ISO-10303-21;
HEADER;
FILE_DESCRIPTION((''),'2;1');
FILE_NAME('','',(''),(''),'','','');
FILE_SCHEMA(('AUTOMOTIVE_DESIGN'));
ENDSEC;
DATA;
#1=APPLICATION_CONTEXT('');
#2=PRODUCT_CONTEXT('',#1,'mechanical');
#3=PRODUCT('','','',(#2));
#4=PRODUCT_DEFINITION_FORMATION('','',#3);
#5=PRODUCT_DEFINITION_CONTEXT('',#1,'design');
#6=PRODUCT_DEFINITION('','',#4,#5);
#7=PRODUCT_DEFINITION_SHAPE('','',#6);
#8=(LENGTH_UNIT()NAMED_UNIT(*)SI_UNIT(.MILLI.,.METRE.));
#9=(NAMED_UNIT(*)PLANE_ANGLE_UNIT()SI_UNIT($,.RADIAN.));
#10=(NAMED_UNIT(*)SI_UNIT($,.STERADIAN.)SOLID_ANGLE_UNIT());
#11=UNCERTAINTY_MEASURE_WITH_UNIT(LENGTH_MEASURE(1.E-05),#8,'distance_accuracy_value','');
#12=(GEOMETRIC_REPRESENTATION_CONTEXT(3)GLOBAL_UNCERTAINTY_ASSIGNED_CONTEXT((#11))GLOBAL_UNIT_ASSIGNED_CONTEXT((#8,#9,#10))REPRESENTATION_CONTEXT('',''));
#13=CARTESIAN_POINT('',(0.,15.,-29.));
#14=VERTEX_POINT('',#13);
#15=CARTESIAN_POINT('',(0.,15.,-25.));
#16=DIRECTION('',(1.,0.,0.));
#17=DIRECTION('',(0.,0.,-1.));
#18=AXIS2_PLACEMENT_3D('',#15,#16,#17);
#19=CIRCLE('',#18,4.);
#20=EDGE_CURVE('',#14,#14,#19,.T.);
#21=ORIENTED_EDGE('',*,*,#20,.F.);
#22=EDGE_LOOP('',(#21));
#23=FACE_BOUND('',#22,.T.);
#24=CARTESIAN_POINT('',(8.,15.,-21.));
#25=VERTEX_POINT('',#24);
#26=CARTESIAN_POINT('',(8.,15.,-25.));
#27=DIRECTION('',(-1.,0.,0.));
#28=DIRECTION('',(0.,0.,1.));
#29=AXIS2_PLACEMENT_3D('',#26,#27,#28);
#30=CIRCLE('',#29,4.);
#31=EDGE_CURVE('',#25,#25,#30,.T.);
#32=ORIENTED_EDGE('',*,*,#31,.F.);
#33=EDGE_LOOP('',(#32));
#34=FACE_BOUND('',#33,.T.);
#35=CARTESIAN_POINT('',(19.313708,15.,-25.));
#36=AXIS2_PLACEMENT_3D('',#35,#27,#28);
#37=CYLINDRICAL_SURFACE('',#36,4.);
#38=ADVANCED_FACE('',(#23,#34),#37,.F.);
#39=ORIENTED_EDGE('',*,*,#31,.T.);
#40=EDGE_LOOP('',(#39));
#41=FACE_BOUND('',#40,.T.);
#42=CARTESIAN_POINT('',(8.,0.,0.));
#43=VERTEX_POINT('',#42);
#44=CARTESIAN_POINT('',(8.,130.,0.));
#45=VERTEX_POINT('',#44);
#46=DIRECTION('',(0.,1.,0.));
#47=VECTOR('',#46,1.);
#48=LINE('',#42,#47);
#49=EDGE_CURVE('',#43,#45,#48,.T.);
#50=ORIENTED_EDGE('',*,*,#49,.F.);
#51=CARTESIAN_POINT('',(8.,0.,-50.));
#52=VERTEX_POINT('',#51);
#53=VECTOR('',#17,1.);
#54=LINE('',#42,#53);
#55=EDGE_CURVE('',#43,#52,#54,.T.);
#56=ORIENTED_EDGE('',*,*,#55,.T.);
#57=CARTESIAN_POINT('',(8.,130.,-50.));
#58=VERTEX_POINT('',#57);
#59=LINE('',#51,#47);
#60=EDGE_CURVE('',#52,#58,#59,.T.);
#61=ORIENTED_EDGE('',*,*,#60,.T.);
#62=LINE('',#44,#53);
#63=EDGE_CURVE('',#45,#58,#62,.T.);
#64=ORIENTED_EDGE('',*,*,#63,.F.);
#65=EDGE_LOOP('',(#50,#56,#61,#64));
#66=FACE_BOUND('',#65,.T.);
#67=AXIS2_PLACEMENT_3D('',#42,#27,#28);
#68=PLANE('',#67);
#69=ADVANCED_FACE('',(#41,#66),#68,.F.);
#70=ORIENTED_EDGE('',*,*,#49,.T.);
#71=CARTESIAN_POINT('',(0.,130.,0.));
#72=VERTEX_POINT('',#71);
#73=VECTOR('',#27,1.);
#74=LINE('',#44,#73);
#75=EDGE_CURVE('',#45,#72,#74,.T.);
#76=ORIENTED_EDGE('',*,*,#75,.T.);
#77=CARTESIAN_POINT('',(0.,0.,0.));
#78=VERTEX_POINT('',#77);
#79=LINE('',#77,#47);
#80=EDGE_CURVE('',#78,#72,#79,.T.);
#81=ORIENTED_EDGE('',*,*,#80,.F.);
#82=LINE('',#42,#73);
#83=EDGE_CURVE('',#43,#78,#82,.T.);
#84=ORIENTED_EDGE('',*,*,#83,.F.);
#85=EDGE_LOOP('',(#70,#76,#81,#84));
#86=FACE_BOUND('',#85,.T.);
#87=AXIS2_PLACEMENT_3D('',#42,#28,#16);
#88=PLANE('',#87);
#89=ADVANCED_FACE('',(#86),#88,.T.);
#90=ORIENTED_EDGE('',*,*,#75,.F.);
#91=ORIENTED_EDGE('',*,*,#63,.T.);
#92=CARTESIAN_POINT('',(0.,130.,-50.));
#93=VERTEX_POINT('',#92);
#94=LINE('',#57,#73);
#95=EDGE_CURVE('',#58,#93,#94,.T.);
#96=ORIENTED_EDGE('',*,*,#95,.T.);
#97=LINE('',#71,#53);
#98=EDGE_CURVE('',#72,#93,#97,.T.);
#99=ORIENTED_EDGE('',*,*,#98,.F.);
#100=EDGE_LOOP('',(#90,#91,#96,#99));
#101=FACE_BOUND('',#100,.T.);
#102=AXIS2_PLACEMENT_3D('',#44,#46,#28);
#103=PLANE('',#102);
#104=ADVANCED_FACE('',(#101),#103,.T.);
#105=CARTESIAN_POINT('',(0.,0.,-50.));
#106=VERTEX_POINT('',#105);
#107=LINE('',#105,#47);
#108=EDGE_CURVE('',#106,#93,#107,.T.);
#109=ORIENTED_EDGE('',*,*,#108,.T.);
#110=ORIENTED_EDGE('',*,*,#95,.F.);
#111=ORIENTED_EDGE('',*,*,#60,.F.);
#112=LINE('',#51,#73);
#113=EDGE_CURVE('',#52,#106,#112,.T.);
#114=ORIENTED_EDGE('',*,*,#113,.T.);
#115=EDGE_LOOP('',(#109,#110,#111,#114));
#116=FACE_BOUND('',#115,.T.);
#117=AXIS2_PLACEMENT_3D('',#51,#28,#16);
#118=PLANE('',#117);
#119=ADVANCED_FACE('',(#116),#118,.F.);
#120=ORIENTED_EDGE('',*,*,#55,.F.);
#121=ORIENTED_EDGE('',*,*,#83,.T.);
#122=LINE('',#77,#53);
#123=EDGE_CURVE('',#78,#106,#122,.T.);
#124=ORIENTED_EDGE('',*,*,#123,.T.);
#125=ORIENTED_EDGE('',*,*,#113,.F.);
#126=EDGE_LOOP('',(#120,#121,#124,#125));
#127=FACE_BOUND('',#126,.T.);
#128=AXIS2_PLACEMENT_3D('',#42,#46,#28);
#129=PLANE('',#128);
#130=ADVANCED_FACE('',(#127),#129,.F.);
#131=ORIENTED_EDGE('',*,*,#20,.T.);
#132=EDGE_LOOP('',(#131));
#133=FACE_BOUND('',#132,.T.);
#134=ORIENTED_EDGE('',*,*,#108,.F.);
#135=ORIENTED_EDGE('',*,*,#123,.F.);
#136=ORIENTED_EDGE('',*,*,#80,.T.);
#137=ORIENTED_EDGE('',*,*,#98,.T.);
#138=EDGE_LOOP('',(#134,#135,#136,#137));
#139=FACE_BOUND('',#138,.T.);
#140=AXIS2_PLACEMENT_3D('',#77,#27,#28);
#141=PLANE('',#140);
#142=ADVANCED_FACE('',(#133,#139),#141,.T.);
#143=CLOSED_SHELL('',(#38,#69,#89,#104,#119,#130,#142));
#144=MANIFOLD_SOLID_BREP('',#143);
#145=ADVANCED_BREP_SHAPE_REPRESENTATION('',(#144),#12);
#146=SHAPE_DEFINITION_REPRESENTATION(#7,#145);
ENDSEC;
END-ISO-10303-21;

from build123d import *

# Parameters (mm, degrees)
SKETCH1_W           = 50
SKETCH1_H           = 130
BOSS_EXTRUDE1_DEPTH = 8
SKETCH2_R           = 4
CUT_EXTRUDE3_DEPTH  = 8


with BuildPart() as part:
    # Sketch1 → Boss-Extrude1 (new body)
    with BuildSketch(Plane(origin=(0, 0, 0), x_dir=(0, 0, -1), z_dir=(1, 0, 0))):
        with Locations((25, 65)):
            Rectangle(SKETCH1_W, SKETCH1_H)
    extrude(amount=BOSS_EXTRUDE1_DEPTH)

    # Sketch2 → Cut-Extrude3 (cut)
    with BuildSketch(Plane(origin=(0, 0, 0), x_dir=(0, 0, -1), z_dir=(1, 0, 0))):
        with Locations(Location((25, 15, 0), (0, 0, 180))):
            Circle(SKETCH2_R)
    extrude(amount=CUT_EXTRUDE3_DEPTH, mode=Mode.SUBTRACT)


solid = part.part
